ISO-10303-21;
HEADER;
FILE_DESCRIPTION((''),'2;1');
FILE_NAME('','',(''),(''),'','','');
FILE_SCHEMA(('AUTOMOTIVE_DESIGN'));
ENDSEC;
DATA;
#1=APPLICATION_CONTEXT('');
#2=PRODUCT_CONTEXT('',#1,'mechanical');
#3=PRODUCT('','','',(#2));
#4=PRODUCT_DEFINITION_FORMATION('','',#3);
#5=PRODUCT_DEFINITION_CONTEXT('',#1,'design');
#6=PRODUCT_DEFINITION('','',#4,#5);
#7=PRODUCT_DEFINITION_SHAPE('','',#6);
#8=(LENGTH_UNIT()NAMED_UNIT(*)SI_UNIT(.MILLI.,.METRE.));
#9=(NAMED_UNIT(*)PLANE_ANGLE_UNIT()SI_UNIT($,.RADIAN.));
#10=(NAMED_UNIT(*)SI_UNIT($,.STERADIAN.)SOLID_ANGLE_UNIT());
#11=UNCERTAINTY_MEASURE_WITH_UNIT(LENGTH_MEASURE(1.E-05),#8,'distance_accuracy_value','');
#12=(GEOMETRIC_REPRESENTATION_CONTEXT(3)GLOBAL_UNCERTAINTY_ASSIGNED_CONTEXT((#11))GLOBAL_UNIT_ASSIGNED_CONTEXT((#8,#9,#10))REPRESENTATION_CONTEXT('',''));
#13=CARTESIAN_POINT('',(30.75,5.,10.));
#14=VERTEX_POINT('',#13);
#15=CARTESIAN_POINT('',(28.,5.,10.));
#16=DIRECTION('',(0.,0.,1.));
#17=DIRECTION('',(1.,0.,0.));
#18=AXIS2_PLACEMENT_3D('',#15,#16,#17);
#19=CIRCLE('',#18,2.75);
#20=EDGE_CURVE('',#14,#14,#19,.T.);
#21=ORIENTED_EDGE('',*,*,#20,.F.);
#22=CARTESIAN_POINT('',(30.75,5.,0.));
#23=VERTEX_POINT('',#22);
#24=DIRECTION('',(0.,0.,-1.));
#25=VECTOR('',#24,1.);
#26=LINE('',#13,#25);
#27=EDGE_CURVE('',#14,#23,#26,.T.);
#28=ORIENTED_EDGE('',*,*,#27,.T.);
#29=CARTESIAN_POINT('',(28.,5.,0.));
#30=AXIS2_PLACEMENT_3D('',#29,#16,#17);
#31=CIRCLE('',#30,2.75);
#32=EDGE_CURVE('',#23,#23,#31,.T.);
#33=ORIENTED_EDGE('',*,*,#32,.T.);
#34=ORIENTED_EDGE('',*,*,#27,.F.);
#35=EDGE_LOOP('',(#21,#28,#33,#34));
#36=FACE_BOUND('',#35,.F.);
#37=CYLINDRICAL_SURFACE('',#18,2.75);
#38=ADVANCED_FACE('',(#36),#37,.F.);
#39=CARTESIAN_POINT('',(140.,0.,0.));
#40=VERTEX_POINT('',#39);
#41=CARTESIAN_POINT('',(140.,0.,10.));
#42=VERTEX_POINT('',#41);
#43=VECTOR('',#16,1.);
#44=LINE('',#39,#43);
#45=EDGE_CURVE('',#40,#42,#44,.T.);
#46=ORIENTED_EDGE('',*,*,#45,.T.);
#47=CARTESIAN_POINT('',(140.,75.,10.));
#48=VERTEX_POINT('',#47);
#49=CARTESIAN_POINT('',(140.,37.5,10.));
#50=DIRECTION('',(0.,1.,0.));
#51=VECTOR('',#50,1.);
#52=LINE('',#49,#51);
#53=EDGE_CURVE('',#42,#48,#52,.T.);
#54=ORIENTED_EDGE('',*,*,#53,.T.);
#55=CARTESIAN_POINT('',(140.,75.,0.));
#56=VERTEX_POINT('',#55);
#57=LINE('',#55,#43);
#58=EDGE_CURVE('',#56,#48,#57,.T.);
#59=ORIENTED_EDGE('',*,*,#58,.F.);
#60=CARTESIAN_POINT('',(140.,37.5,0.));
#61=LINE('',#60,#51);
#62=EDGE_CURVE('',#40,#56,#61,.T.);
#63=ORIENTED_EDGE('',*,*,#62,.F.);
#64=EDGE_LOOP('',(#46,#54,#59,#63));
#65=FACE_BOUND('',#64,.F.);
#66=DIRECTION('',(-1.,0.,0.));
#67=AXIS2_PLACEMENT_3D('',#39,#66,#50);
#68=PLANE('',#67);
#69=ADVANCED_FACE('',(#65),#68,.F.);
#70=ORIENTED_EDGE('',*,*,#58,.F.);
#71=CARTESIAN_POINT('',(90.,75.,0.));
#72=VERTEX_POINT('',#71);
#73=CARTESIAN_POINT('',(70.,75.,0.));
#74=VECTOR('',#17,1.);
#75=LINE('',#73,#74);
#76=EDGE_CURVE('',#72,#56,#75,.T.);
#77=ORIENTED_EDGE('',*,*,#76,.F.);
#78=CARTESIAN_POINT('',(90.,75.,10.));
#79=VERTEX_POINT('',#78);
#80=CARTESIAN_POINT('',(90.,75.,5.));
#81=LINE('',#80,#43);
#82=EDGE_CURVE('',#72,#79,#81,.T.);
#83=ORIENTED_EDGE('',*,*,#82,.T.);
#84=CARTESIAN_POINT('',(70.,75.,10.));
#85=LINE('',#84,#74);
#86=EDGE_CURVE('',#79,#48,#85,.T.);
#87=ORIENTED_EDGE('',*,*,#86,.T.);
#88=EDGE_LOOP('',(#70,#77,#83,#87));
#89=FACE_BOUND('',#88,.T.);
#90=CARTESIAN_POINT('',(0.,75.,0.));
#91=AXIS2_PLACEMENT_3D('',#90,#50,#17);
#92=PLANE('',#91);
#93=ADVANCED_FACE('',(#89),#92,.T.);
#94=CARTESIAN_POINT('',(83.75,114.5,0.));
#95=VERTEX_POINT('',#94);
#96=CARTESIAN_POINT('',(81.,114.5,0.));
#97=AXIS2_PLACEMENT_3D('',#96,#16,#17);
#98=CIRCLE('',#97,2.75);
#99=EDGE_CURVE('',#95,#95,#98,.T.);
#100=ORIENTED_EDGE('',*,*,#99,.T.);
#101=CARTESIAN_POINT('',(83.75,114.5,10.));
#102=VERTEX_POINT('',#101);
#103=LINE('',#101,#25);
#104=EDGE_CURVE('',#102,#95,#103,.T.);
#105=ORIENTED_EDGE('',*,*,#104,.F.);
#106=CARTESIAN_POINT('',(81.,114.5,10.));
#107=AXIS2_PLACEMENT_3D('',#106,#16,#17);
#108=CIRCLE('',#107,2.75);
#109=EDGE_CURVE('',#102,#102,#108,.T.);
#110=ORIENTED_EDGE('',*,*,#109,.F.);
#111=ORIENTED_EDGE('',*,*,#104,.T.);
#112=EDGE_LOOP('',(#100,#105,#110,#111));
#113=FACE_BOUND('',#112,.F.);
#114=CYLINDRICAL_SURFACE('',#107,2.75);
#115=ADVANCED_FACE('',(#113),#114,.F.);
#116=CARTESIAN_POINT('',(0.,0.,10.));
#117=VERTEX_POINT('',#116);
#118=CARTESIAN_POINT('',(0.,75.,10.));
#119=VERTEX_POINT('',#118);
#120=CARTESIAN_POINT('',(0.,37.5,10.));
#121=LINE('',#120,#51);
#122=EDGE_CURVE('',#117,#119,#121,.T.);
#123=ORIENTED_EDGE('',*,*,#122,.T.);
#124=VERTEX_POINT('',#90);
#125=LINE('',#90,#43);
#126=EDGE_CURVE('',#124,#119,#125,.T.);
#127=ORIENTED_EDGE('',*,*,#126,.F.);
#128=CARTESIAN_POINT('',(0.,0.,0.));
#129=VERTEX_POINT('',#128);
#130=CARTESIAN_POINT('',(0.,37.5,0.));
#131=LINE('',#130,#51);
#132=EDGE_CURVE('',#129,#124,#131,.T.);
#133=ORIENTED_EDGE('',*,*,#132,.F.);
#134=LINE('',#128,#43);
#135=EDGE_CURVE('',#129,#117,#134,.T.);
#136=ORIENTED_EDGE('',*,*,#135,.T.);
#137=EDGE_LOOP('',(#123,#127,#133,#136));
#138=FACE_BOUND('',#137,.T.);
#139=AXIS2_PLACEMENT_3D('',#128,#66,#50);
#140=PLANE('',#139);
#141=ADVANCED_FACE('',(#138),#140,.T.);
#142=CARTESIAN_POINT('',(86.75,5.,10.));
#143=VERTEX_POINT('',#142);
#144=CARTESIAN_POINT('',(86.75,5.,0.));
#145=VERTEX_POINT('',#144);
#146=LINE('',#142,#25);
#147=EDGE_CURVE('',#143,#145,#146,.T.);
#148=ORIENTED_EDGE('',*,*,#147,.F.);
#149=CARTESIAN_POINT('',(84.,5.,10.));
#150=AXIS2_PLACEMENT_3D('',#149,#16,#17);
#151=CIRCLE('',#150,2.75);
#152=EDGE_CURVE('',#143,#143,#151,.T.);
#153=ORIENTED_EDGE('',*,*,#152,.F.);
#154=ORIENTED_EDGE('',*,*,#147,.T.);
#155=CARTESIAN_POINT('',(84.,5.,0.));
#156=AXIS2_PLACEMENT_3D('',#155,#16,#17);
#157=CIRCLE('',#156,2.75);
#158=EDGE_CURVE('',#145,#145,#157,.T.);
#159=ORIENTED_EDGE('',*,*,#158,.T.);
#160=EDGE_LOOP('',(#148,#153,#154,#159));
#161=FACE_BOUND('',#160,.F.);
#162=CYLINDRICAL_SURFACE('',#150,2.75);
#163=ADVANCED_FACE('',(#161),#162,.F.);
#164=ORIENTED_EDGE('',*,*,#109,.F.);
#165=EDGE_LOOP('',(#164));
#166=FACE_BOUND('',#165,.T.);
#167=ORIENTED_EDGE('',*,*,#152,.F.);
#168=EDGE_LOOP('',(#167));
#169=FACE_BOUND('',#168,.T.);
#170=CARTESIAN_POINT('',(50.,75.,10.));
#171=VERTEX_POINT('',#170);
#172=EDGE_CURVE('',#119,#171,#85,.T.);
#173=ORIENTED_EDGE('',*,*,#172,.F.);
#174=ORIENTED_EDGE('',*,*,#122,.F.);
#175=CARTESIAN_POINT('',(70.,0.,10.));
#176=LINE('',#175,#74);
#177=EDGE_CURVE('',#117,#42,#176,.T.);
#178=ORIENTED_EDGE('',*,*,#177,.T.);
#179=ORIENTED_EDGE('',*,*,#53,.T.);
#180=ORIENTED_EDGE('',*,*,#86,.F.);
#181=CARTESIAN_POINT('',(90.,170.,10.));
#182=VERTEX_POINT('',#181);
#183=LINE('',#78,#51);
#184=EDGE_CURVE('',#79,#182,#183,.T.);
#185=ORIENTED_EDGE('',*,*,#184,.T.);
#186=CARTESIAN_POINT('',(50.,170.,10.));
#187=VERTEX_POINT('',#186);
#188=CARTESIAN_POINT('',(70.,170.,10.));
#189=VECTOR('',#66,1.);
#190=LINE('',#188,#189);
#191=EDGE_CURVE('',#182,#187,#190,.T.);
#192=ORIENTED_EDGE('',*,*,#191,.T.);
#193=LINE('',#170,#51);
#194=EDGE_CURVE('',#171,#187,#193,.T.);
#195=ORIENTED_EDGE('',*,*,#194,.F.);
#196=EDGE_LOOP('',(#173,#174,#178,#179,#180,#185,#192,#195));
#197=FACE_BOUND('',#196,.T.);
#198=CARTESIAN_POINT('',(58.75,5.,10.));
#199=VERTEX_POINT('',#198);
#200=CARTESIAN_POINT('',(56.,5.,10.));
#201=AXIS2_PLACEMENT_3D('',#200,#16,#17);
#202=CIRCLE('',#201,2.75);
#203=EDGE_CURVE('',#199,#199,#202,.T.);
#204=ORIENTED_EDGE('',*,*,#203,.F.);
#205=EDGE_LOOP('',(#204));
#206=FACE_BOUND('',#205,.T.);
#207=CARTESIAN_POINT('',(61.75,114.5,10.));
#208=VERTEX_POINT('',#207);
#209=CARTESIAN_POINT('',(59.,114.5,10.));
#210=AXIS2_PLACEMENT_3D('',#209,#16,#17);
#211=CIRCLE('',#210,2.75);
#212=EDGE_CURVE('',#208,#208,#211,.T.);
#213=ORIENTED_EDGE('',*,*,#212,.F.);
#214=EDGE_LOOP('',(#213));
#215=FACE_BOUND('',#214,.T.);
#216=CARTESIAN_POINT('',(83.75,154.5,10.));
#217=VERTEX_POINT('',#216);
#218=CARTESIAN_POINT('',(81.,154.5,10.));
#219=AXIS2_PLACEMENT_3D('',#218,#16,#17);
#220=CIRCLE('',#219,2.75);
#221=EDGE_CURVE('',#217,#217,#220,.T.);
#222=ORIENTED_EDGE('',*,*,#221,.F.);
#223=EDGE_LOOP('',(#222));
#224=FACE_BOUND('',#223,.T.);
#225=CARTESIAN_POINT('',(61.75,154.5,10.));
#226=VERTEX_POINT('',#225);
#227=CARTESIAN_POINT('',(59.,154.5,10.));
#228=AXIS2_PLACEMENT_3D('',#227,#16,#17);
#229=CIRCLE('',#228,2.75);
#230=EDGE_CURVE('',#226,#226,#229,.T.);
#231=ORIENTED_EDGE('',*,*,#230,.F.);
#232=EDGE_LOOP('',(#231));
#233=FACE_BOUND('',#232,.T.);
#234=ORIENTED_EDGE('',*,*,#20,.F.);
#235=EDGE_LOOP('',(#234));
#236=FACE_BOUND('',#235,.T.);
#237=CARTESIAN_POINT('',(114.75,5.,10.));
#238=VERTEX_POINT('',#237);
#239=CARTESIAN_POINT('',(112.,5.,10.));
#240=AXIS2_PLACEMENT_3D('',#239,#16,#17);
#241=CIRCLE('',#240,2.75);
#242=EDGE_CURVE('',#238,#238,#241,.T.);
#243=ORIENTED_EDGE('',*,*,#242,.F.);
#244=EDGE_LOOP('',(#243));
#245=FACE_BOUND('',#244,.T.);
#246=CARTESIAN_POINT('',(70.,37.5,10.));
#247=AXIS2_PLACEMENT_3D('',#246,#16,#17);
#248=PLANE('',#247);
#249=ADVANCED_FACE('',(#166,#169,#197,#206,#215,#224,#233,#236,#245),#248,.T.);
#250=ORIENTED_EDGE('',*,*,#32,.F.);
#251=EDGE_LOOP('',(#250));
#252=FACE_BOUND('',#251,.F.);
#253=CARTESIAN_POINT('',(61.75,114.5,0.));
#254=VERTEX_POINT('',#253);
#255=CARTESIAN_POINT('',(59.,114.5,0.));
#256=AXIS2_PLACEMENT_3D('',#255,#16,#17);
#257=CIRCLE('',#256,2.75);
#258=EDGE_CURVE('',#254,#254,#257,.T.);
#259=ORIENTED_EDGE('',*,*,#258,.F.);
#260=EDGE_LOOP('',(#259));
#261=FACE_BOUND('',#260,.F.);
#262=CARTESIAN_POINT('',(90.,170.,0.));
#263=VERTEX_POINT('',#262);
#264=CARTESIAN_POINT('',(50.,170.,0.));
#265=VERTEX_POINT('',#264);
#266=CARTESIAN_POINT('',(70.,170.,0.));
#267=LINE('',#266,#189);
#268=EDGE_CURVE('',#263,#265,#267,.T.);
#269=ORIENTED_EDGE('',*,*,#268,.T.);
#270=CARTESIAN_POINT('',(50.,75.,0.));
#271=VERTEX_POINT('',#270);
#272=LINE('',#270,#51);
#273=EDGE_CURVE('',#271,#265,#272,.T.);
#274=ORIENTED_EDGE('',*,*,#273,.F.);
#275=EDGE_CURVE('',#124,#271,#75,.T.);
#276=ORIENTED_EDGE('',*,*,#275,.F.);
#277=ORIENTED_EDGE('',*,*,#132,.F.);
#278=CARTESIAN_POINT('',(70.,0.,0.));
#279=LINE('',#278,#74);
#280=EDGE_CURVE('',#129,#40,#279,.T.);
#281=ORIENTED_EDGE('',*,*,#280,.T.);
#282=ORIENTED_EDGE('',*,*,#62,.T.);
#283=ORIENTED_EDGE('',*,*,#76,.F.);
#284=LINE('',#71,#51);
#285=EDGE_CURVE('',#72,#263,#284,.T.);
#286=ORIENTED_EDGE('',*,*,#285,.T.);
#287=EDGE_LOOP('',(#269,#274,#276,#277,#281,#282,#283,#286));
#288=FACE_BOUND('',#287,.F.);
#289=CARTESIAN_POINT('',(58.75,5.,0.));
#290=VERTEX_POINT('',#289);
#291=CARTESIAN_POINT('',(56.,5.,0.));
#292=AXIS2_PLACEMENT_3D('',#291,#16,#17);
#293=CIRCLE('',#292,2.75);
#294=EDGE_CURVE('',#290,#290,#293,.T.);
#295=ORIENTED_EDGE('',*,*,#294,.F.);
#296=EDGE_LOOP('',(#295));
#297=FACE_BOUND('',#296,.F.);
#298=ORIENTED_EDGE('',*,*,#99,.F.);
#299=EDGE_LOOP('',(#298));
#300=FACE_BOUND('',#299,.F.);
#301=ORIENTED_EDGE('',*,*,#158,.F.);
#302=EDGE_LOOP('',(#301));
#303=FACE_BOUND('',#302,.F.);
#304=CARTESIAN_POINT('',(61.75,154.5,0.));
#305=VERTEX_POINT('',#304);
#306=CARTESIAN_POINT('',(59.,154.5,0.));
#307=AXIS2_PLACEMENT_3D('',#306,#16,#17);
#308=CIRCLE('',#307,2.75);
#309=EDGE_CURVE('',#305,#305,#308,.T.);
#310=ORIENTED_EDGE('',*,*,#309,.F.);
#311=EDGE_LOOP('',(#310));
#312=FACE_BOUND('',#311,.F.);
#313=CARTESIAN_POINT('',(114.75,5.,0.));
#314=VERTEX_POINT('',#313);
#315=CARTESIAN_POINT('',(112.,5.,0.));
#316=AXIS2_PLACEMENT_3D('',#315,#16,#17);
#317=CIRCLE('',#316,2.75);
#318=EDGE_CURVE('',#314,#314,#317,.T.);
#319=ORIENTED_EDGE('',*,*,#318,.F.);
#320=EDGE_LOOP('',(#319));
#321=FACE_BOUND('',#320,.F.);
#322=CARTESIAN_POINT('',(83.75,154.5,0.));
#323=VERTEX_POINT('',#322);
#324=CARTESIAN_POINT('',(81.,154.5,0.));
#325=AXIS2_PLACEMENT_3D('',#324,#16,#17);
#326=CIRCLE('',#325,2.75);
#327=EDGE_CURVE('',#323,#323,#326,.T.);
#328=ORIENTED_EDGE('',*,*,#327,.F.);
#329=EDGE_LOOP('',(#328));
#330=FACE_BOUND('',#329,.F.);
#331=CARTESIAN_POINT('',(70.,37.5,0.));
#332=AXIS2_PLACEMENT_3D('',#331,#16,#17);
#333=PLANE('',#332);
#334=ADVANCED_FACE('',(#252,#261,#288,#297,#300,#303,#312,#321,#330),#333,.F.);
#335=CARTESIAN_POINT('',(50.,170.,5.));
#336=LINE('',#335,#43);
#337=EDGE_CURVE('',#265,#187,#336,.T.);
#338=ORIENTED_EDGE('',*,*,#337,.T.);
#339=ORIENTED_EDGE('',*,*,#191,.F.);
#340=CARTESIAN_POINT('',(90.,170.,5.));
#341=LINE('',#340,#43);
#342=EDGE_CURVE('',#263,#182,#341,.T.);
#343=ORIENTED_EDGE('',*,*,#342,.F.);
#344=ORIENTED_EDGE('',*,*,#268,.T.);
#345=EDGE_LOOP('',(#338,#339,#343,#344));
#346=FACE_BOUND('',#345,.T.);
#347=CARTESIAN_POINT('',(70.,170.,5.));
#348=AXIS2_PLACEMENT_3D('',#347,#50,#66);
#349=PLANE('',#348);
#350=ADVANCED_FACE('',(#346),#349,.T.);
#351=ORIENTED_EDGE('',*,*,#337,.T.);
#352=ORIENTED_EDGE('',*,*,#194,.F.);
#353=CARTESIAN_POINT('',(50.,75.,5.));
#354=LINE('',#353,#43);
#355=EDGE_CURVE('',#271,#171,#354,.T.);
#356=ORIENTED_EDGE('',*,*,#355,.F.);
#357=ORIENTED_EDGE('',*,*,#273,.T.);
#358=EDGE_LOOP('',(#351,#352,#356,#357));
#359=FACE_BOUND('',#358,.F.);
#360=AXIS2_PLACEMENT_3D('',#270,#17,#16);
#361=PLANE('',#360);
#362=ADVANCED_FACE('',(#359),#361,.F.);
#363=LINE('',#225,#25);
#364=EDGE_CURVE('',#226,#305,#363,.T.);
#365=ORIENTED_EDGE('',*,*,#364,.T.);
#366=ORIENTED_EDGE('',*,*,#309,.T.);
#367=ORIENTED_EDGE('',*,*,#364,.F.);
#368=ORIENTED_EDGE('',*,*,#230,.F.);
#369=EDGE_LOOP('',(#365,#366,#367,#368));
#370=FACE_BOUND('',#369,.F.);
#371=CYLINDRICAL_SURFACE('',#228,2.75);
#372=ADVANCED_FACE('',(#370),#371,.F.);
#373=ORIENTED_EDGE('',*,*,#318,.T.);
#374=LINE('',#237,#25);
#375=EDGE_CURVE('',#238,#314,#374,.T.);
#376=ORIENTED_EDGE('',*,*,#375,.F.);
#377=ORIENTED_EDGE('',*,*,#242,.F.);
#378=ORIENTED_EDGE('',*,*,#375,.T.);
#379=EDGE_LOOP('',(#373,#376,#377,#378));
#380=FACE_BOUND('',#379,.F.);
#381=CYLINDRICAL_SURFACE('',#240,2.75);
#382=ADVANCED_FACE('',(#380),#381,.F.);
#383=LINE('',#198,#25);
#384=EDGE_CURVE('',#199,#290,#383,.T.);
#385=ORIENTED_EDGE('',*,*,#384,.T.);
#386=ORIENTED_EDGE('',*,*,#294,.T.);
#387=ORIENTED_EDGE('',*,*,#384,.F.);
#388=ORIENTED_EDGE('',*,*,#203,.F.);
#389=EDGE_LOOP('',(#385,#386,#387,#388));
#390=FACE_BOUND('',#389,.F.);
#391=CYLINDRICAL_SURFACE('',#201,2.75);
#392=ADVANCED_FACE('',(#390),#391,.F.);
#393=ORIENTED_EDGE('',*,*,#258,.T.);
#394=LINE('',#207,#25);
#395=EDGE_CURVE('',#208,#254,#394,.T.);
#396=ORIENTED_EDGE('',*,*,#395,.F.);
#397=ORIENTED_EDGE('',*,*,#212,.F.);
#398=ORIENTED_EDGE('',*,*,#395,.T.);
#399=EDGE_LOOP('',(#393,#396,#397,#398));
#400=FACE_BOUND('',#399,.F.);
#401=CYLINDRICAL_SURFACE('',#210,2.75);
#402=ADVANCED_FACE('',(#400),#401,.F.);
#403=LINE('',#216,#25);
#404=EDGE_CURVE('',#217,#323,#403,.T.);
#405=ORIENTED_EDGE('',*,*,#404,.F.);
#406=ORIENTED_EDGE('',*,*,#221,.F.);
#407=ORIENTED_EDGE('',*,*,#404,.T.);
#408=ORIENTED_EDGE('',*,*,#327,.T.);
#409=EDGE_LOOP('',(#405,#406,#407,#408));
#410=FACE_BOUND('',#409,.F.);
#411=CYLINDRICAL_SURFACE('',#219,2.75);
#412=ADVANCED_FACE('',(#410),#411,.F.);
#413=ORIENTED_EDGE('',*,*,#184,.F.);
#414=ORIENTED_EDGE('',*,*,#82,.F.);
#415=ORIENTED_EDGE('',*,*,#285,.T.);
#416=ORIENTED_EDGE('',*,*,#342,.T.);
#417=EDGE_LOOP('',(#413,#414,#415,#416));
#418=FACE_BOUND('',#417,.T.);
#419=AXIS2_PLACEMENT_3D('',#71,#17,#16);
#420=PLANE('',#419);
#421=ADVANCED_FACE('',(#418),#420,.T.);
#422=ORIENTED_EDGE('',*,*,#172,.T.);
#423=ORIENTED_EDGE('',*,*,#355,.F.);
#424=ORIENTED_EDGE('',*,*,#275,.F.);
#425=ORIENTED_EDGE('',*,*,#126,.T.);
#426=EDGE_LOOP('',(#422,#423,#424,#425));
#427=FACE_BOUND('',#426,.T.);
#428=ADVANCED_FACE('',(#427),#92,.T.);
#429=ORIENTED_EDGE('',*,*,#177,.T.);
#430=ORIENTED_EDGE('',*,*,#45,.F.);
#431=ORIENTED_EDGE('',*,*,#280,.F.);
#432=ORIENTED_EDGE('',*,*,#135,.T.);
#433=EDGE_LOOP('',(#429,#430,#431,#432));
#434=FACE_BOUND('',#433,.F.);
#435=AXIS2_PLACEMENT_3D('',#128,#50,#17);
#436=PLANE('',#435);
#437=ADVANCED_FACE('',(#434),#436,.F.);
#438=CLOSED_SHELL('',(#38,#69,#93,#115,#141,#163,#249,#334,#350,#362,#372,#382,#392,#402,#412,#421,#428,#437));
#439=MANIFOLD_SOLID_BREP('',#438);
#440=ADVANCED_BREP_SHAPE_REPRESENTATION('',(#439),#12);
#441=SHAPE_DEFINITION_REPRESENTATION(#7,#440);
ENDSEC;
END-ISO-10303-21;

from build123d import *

# Parameters (mm, degrees)
SKETCH_W               = 140
SKETCH_H               = 75
PAD_DEPTH              = 10
SKETCH001_W            = 40
SKETCH001_H            = 10
PAD001_DEPTH           = 95
SKETCH002_R            = 2.75
HOLE_DEPTH             = 10.001
LINEARPATTERN_COUNT    = 4
LINEARPATTERN_PITCH    = 28
SKETCH003_R            = 2.75
HOLE001_DEPTH          = 10.001
LINEARPATTERN001_COUNT = 2
LINEARPATTERN001_PITCH = 22
LINEARPATTERN002_COUNT = 2
LINEARPATTERN002_PITCH = 40
SKETCH004_R            = 2.75
HOLE002_DEPTH          = 10.001


with BuildPart() as part:
    # Sketch → Pad (new body)
    with BuildSketch(Plane.XY):
        with Locations((70, 37.5)):
            Rectangle(SKETCH_W, SKETCH_H)
    extrude(amount=PAD_DEPTH)

    # Sketch001 (on Face3 of Pad) → Pad001 (join)
    with BuildSketch(Plane(origin=(0, 75, 0), x_dir=(-1, 0, 0), z_dir=(0, 1, 0))):
        with Locations((-70, 5)):
            Rectangle(SKETCH001_W, SKETCH001_H)
    extrude(amount=PAD001_DEPTH)

    # Sketch002 (on Face5 of Pad001) → Hole (cut, through all)
    with BuildSketch(Plane.XY.offset(10)):
        with Locations((28, 5)):
            Circle(SKETCH002_R)
    hole = extrude(amount=-HOLE_DEPTH, mode=Mode.SUBTRACT)

    # LinearPattern: Hole ×4
    with Locations(*[(i * LINEARPATTERN_PITCH, 0, 0) for i in range(1, LINEARPATTERN_COUNT)]):
        add(hole, mode=Mode.SUBTRACT)

    # Sketch003 (on Face13 of LinearPattern) → Hole001 (cut, through all)
    with BuildSketch(Plane.XY.offset(10)):
        with Locations((59, 114.5)):
            Circle(SKETCH003_R)
    hole001 = extrude(amount=-HOLE001_DEPTH, mode=Mode.SUBTRACT)

    # LinearPattern001: Hole001 ×2
    with Locations(*[(i * LINEARPATTERN001_PITCH, 0, 0) for i in range(1, LINEARPATTERN001_COUNT)]):
        add(hole001, mode=Mode.SUBTRACT)

    # LinearPattern002: Hole001 ×2
    with Locations(*[(0, i * LINEARPATTERN002_PITCH, 0) for i in range(1, LINEARPATTERN002_COUNT)]):
        add(hole001, mode=Mode.SUBTRACT)

    # Sketch004 (on Face13 of LinearPattern002) → Hole002 (cut, through all)
    with BuildSketch(Plane.XY.offset(10)):
        with Locations((81, 154.5)):
            Circle(SKETCH004_R)
    extrude(amount=-HOLE002_DEPTH, mode=Mode.SUBTRACT)


solid = part.part
